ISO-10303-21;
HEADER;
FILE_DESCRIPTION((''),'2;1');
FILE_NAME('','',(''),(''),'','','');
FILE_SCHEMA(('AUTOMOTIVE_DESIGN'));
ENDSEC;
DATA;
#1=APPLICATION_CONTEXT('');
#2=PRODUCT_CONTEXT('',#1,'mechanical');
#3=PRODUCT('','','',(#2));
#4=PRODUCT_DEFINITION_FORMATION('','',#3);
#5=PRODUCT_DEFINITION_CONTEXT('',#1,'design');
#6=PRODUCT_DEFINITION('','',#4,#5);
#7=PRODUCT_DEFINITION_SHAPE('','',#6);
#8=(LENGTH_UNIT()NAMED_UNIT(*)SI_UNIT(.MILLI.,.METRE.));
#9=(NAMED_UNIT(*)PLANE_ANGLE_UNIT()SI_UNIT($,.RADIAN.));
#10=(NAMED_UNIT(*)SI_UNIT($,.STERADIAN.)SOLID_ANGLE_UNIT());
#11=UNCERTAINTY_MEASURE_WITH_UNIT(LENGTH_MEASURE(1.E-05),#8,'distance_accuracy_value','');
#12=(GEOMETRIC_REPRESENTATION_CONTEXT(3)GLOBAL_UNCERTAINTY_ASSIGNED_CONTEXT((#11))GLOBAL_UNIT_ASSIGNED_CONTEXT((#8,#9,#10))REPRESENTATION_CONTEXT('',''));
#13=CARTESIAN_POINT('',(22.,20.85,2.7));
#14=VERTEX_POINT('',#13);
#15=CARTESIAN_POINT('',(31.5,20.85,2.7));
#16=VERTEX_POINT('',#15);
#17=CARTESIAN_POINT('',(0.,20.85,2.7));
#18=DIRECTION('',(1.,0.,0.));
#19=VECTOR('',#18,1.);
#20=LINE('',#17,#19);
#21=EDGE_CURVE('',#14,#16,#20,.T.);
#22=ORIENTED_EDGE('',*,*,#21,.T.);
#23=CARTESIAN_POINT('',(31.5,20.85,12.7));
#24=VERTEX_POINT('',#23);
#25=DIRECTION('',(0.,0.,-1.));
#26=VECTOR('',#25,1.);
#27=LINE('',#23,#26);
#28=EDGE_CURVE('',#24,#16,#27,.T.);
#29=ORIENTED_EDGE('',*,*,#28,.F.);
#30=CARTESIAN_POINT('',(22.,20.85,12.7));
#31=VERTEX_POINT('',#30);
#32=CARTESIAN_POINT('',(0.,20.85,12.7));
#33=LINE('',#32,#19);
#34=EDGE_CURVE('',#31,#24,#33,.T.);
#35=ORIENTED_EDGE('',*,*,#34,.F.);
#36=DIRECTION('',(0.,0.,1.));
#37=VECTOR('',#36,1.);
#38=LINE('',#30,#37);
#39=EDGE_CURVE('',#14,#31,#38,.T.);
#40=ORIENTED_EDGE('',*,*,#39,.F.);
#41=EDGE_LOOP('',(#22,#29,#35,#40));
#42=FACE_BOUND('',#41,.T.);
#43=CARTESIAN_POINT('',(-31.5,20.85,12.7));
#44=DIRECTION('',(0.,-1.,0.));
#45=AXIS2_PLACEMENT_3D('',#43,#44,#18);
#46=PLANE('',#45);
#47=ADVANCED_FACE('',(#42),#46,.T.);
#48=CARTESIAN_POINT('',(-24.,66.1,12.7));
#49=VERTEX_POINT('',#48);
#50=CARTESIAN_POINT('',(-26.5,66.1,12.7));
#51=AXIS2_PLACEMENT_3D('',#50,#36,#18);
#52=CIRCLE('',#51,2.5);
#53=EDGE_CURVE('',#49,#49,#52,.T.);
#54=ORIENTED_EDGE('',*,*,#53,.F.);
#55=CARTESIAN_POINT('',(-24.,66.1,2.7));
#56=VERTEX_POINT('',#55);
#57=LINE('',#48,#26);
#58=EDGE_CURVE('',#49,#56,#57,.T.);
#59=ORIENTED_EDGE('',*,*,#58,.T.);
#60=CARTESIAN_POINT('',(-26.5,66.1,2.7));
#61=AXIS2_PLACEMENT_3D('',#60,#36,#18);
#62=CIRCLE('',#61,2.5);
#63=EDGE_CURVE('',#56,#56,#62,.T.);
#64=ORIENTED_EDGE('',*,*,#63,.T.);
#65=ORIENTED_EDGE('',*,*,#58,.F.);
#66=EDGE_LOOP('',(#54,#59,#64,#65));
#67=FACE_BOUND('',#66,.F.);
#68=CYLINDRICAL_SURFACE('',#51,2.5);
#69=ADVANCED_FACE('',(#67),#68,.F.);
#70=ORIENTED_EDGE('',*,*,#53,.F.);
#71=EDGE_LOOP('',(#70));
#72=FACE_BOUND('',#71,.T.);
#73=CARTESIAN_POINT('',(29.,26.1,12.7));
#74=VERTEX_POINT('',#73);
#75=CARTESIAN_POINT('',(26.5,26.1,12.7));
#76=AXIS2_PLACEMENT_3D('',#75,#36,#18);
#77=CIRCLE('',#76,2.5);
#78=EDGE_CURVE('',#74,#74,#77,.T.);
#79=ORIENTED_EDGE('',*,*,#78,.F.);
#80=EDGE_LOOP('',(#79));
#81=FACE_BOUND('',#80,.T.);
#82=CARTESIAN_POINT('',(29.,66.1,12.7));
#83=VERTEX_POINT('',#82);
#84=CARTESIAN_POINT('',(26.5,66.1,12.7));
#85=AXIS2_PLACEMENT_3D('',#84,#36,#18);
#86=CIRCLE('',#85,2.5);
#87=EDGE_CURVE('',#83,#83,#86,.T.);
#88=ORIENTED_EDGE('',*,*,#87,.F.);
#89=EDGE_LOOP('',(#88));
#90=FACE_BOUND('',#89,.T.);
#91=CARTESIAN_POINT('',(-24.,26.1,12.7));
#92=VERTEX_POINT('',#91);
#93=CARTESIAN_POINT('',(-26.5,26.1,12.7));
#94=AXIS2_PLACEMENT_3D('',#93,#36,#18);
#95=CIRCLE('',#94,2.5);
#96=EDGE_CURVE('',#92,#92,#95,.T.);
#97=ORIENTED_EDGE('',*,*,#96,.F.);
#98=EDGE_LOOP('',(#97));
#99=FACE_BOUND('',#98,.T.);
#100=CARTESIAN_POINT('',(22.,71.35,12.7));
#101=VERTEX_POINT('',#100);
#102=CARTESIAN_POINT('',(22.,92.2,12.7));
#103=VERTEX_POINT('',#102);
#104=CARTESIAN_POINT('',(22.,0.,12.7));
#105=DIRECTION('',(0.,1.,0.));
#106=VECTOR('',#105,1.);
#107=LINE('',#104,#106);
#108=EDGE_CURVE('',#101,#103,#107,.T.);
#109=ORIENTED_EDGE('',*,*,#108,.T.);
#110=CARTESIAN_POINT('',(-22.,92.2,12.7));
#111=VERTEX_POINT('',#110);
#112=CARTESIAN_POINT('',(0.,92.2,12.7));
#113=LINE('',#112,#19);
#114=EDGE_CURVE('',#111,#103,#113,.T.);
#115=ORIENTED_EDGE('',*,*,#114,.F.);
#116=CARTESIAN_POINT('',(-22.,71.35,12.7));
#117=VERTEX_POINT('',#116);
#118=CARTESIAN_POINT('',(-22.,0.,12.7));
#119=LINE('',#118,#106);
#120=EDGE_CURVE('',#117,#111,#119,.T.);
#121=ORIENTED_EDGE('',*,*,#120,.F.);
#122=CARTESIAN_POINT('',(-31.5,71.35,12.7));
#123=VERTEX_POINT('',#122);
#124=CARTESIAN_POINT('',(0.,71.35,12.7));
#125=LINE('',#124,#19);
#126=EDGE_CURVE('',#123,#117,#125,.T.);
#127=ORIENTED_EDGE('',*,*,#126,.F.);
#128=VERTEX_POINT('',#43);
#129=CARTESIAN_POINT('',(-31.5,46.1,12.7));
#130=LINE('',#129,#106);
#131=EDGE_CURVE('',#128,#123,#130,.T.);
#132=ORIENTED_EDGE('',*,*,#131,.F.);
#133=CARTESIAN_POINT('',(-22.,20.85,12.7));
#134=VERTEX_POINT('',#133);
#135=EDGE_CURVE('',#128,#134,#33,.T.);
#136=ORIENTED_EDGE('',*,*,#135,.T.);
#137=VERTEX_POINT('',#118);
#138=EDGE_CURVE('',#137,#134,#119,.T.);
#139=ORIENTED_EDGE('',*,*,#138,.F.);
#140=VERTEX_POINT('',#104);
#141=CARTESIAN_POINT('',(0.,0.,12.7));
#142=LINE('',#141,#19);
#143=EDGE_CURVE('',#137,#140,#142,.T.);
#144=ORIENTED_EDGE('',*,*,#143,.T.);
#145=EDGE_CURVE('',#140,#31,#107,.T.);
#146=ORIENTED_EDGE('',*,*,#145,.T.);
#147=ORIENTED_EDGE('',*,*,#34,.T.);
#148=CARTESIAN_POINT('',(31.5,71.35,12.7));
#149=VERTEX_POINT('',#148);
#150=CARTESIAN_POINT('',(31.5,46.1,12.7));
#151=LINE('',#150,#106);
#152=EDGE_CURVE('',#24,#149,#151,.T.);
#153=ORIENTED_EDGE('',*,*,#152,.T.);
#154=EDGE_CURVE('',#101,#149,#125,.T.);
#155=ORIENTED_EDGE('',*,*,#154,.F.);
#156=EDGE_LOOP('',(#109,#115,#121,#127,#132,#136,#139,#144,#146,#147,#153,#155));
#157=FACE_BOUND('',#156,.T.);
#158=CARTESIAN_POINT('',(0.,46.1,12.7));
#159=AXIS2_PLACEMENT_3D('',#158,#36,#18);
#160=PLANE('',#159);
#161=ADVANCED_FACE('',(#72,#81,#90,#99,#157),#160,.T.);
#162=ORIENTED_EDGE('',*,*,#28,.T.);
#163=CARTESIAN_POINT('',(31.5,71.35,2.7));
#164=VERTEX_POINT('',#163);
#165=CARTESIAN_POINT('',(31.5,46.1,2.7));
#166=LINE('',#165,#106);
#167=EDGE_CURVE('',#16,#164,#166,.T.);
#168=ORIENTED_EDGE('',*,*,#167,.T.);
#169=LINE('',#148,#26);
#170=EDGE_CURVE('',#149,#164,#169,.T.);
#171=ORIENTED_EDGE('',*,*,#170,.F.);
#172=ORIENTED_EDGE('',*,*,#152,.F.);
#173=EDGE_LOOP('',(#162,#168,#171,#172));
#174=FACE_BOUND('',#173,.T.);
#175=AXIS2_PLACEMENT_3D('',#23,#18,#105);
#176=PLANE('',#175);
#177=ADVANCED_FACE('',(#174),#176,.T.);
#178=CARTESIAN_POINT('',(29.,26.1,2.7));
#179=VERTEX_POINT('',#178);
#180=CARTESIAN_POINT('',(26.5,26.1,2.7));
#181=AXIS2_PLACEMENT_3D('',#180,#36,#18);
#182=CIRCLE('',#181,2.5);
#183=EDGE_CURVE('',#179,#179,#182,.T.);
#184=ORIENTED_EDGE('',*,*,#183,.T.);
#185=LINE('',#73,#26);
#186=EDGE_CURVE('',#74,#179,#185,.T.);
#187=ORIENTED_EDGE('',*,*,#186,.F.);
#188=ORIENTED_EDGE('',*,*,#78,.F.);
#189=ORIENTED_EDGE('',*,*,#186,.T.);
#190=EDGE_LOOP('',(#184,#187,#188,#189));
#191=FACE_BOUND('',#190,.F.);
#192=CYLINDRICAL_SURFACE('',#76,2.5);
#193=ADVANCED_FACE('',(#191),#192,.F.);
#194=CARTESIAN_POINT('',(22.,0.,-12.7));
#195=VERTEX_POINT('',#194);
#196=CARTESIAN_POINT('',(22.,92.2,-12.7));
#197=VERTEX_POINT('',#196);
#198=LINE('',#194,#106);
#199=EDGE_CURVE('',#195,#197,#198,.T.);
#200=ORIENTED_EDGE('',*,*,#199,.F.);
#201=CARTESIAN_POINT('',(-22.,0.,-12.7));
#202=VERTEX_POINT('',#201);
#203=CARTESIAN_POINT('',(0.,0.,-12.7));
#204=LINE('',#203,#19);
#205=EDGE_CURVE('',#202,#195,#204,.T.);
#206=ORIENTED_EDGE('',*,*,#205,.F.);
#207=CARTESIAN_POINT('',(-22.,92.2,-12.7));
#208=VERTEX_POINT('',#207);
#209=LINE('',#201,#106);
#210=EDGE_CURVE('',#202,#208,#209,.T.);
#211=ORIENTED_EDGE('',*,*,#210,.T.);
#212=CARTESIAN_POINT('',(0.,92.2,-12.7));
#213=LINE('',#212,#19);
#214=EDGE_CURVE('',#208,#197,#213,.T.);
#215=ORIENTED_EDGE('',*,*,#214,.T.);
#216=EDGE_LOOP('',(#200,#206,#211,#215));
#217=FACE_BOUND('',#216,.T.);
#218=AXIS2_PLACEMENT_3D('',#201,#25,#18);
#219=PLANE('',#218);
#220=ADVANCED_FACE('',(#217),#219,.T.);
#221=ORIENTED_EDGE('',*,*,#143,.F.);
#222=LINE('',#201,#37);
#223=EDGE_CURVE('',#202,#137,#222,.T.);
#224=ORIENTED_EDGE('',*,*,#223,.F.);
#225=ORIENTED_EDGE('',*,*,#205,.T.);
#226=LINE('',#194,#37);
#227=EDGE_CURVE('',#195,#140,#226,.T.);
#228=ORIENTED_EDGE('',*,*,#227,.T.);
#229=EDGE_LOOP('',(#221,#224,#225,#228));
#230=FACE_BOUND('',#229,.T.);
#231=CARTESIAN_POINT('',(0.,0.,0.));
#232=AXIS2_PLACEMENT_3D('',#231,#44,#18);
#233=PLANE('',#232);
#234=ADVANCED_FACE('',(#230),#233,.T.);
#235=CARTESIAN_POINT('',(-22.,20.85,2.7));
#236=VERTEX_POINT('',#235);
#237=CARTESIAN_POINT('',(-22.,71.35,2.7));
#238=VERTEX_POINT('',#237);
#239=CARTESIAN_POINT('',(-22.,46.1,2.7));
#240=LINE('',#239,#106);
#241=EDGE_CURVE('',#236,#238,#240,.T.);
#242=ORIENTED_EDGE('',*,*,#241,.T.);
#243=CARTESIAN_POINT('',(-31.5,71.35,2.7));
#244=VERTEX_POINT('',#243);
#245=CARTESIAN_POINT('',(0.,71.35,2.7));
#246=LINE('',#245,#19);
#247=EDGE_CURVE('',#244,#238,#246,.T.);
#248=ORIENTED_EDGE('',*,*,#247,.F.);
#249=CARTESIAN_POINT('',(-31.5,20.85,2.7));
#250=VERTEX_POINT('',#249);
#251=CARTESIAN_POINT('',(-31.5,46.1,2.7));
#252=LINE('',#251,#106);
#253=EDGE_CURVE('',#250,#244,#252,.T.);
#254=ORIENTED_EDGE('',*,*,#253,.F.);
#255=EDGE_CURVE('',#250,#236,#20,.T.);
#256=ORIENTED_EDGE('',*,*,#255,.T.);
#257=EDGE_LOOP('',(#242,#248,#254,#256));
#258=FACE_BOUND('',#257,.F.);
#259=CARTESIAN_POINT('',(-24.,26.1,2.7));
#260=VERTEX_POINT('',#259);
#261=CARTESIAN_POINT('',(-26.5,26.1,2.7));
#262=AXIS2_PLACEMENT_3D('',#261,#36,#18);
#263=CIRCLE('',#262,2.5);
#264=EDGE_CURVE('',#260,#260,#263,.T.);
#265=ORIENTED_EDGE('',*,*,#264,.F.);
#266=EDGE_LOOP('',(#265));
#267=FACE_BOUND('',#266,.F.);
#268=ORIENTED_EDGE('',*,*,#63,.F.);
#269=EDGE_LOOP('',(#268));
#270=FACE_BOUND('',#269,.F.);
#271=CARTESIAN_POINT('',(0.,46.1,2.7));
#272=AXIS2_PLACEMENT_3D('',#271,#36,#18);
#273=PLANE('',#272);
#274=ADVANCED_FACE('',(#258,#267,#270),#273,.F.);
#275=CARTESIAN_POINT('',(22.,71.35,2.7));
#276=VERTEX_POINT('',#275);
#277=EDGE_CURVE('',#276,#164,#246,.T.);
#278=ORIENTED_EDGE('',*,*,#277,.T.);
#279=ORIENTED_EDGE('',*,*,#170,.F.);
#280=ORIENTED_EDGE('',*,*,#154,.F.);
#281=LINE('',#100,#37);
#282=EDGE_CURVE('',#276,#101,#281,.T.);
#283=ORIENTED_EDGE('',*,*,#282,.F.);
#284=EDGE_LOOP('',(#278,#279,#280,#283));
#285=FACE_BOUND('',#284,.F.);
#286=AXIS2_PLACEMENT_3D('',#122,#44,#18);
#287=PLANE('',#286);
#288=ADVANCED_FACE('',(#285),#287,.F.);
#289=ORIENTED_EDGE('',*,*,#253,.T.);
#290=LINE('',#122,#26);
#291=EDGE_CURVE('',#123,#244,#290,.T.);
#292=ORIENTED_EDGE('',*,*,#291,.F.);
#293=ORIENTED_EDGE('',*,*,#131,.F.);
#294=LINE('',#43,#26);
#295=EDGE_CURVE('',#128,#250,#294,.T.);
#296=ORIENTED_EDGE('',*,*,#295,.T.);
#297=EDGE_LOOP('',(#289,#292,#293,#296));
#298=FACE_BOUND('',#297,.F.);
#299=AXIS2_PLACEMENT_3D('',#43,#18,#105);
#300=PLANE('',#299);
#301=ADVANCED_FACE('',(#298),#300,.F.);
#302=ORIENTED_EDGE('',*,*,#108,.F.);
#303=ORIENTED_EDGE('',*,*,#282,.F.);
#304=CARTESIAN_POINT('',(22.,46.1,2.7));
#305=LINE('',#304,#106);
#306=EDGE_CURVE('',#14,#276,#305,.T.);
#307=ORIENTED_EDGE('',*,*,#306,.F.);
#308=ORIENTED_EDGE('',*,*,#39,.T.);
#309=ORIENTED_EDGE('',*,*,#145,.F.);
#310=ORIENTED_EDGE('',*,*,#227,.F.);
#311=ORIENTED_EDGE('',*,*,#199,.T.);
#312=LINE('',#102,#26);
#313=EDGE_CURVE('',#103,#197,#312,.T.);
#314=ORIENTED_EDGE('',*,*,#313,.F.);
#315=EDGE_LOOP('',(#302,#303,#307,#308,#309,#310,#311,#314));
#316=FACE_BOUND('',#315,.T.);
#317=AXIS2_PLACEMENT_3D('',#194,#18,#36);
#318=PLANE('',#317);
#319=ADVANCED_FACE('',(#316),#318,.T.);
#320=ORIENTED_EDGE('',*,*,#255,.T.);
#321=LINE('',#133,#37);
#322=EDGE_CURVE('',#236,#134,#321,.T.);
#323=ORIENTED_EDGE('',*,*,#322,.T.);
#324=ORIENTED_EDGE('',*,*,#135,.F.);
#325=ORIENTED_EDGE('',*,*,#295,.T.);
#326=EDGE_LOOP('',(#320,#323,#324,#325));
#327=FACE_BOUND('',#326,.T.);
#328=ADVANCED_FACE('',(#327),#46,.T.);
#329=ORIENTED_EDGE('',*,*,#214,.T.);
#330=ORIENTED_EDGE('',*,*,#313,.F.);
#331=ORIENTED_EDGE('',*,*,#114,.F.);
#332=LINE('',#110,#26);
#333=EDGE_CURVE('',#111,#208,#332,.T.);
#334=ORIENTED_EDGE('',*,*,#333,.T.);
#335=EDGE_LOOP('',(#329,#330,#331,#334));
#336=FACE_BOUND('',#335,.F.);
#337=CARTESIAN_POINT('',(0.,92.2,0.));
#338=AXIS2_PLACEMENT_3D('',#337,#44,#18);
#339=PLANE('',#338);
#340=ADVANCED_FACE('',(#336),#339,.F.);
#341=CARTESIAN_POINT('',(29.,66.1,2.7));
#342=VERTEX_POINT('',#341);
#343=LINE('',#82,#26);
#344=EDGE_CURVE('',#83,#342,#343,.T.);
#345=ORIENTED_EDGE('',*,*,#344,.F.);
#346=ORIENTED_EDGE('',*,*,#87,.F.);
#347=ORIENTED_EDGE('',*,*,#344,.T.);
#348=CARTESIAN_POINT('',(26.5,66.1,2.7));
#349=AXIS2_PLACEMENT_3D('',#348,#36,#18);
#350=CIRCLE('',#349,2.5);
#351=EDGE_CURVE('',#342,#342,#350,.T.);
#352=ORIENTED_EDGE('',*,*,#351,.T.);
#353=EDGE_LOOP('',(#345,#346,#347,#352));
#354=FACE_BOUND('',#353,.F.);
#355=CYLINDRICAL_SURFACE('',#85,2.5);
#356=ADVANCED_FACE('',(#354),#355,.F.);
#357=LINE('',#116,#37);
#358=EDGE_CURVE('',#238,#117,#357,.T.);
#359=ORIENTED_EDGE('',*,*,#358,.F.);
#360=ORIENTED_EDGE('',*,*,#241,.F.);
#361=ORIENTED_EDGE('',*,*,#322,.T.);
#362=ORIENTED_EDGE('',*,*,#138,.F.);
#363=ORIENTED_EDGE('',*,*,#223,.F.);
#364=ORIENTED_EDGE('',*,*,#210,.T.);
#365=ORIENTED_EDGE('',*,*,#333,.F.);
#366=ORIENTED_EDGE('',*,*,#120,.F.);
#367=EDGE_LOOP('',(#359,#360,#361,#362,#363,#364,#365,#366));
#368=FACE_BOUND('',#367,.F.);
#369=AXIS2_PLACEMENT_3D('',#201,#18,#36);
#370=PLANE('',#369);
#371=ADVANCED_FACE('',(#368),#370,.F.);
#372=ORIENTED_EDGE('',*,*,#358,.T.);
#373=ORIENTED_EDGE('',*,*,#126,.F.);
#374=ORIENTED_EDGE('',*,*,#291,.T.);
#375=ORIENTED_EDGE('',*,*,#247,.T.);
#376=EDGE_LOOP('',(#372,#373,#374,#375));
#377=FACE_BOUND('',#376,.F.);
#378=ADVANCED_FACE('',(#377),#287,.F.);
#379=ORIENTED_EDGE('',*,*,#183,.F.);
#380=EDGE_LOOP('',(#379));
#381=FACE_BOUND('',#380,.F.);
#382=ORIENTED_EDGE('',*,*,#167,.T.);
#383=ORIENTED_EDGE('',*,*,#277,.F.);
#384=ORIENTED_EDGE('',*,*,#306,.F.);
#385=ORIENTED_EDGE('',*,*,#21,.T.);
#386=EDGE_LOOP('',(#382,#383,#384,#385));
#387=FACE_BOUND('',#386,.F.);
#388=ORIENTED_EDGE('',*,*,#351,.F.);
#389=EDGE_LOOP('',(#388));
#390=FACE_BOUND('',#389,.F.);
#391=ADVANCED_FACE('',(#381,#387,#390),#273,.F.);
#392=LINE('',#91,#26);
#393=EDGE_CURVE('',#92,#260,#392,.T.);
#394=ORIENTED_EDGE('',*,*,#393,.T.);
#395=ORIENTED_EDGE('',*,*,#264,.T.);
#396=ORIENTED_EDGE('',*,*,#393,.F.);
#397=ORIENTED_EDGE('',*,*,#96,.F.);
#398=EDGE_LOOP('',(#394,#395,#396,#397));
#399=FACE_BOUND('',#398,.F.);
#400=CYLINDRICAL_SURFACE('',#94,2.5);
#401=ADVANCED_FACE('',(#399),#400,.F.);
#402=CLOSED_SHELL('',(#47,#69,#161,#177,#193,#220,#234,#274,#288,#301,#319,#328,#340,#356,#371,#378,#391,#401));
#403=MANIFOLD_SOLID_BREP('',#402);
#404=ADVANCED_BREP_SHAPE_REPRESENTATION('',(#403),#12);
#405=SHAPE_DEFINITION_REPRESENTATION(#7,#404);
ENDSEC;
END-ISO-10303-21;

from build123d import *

# Parameters (mm, degrees)
F0_W     = 44
F0_H     = 25.4
F1_DEPTH = 92.2
F3_W     = 63
F3_H     = 50.5
F3_R     = 2.5
F2_W     = 44
F2_H     = 92.2
F4_DEPTH = 10


with BuildPart() as f1:
    # F0 (on Front) → F1 (new body)
    with BuildSketch(Plane.XZ):
        Rectangle(F0_W, F0_H)
    extrude(amount=-F1_DEPTH)

    # F3 (on face) + F2 (on face) → F4 (join)
    with BuildSketch(Plane.XY.offset(12.7)):
        with Locations((0, 46.1)):
            Rectangle(F3_W, F3_H)
        with Locations((-26.5, 26.1)):
            Circle(F3_R, mode=Mode.SUBTRACT)
        with Locations((26.5, 26.1)):
            Circle(F3_R, mode=Mode.SUBTRACT)
        with Locations((-26.5, 66.1)):
            Circle(F3_R, mode=Mode.SUBTRACT)
        with Locations((26.5, 66.1)):
            Circle(F3_R, mode=Mode.SUBTRACT)
    with BuildSketch(Plane.XY.offset(12.7)):
        with Locations((0, 46.1)):
            Rectangle(F2_W, F2_H)
    extrude(amount=-F4_DEPTH)


solid = f1.part
